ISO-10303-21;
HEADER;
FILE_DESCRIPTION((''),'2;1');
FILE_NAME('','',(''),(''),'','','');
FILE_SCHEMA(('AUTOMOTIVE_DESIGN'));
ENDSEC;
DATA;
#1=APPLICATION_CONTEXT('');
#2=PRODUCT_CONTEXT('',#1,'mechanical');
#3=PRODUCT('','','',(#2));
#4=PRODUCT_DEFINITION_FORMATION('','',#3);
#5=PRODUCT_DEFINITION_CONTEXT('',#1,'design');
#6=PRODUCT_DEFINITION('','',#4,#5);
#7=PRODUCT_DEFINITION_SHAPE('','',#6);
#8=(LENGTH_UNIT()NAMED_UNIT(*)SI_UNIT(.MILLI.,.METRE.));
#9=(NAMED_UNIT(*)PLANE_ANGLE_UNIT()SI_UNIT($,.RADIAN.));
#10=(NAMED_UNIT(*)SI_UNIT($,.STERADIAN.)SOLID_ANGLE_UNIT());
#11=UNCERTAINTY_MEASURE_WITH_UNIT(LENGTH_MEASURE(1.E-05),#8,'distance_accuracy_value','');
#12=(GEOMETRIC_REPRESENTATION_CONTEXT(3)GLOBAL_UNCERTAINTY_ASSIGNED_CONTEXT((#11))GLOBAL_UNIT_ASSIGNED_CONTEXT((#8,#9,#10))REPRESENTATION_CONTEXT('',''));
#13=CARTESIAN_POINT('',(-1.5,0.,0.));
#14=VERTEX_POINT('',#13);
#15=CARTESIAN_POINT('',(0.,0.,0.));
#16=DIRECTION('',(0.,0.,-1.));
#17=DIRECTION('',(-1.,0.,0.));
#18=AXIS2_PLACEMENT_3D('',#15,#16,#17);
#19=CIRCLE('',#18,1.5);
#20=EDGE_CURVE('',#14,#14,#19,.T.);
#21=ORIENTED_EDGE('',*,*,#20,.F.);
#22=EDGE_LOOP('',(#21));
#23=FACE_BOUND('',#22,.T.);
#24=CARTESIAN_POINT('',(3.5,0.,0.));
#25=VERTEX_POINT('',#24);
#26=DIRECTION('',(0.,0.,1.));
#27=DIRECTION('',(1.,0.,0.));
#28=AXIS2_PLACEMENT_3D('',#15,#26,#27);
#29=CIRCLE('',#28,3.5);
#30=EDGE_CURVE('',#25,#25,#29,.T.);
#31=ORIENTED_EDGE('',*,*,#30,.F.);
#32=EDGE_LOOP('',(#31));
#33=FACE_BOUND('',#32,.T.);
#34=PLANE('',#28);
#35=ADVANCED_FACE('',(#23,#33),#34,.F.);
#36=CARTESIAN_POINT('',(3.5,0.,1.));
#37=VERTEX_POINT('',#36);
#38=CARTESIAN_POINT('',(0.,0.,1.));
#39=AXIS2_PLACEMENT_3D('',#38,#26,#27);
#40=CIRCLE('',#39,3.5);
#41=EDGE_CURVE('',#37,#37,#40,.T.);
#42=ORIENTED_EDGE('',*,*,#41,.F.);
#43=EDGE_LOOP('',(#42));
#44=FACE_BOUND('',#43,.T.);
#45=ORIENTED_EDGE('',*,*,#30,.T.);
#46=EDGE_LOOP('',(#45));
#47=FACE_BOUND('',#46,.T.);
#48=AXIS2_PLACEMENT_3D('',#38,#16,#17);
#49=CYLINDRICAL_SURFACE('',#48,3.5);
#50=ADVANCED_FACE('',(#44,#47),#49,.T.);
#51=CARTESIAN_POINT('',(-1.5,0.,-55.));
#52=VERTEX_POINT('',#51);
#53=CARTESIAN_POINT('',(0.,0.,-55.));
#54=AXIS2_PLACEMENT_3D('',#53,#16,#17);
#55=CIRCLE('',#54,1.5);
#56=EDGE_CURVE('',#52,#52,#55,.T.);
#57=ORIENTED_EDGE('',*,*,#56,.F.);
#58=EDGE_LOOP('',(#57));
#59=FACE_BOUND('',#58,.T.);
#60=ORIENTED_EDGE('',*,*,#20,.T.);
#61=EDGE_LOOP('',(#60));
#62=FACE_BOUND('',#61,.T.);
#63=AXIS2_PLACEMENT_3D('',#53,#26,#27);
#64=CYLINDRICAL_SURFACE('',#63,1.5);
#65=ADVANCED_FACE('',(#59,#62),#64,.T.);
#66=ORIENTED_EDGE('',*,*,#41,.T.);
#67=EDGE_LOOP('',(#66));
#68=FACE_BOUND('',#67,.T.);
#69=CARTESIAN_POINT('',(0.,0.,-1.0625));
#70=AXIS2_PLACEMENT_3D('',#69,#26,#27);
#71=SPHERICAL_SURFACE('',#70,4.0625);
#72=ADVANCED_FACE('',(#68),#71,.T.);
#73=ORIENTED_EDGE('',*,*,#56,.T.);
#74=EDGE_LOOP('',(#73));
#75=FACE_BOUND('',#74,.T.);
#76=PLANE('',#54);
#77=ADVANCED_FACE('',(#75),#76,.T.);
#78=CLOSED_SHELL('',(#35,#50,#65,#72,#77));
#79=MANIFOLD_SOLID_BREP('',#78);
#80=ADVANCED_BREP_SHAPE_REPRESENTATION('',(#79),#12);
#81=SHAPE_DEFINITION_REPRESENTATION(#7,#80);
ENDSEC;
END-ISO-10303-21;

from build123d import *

# Parameters (mm, degrees)
SKETCH1_R           = 3.5
BOSS_EXTRUDE1_DEPTH = 1
DOME1_FACE_RADIUS   = 3.5
DOME1_HEIGHT        = 2
SKETCH3_R           = 1.5
BOSS_EXTRUDE2_DEPTH = 55


with BuildPart() as part:
    # Sketch1 → Boss-Extrude1 (new body)
    with BuildSketch(Plane.XY):
        Circle(SKETCH1_R)
    extrude(amount=BOSS_EXTRUDE1_DEPTH)

    # Dome1: a dome of height H over a round flat face of radius A is a cap of a sphere of radius (A * A + H * H) / (2 * H)
    dome1_r = (DOME1_FACE_RADIUS * DOME1_FACE_RADIUS + DOME1_HEIGHT * DOME1_HEIGHT) / (2 * DOME1_HEIGHT)
    dome1_base = Plane((0, 0, 1), z_dir=(0, 0, 1))
    with Locations(dome1_base.offset(DOME1_HEIGHT - dome1_r)):
        dome1_ball = Sphere(dome1_r, mode=Mode.PRIVATE)
    add(split(dome1_ball, bisect_by=dome1_base, keep=Keep.TOP, mode=Mode.PRIVATE))

    # Sketch3 → Boss-Extrude2 (add)
    with BuildSketch(Plane(origin=(0, 0, 0), x_dir=(-1, 0, 0), z_dir=(0, 0, -1))):
        Circle(SKETCH3_R)
    extrude(amount=BOSS_EXTRUDE2_DEPTH)


solid = part.part
